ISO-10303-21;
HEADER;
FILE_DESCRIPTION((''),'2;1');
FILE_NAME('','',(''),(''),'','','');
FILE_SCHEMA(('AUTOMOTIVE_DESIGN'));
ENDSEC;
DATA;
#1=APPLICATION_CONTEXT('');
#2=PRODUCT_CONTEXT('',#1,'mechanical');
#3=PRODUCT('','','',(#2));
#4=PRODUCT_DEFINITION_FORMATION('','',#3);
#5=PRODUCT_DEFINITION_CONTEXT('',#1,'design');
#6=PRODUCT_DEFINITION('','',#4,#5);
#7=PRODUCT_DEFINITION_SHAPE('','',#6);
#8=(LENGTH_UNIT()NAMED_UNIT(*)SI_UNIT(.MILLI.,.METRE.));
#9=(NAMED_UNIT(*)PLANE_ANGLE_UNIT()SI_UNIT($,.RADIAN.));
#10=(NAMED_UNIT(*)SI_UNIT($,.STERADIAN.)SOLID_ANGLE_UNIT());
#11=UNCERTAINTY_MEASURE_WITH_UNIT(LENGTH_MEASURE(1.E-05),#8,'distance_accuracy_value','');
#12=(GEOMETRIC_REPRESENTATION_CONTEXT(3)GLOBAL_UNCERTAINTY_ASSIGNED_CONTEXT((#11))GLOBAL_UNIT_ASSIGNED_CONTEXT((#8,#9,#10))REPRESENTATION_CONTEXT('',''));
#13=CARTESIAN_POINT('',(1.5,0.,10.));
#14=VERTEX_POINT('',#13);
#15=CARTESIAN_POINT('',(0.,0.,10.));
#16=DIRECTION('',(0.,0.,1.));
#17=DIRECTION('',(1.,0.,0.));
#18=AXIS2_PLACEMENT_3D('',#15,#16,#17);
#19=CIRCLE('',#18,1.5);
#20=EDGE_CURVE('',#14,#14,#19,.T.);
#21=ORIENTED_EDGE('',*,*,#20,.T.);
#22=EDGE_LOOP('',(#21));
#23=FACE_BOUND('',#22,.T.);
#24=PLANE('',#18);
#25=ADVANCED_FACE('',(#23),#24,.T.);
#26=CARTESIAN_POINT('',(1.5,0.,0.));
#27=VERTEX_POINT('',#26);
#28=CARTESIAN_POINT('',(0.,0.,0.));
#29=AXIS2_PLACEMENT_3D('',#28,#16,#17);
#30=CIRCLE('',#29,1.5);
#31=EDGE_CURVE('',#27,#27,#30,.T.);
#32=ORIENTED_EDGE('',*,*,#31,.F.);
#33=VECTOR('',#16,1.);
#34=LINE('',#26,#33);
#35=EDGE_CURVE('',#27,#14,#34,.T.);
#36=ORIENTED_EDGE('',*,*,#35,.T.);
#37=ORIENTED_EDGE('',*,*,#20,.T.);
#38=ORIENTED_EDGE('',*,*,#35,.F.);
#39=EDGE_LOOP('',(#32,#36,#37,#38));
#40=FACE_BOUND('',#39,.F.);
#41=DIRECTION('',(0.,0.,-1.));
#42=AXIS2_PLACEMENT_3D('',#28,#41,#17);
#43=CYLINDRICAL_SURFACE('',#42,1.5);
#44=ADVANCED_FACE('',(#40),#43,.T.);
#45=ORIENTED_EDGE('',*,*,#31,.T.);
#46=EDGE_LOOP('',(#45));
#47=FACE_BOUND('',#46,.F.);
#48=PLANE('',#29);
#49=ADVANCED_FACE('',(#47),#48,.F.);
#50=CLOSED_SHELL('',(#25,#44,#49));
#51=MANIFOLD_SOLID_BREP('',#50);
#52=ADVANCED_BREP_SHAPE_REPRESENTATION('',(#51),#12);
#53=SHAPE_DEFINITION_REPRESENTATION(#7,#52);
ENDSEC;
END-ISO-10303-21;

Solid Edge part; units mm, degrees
sketch "Sketch1" plane through (0, 0, 0) normal (0, 0, 1) x (1, 0, 0)
  circle A0 centre (0, 0) radius 1.5
extrude "Protrusion1" add sketch "Sketch1" along normal blind 10
